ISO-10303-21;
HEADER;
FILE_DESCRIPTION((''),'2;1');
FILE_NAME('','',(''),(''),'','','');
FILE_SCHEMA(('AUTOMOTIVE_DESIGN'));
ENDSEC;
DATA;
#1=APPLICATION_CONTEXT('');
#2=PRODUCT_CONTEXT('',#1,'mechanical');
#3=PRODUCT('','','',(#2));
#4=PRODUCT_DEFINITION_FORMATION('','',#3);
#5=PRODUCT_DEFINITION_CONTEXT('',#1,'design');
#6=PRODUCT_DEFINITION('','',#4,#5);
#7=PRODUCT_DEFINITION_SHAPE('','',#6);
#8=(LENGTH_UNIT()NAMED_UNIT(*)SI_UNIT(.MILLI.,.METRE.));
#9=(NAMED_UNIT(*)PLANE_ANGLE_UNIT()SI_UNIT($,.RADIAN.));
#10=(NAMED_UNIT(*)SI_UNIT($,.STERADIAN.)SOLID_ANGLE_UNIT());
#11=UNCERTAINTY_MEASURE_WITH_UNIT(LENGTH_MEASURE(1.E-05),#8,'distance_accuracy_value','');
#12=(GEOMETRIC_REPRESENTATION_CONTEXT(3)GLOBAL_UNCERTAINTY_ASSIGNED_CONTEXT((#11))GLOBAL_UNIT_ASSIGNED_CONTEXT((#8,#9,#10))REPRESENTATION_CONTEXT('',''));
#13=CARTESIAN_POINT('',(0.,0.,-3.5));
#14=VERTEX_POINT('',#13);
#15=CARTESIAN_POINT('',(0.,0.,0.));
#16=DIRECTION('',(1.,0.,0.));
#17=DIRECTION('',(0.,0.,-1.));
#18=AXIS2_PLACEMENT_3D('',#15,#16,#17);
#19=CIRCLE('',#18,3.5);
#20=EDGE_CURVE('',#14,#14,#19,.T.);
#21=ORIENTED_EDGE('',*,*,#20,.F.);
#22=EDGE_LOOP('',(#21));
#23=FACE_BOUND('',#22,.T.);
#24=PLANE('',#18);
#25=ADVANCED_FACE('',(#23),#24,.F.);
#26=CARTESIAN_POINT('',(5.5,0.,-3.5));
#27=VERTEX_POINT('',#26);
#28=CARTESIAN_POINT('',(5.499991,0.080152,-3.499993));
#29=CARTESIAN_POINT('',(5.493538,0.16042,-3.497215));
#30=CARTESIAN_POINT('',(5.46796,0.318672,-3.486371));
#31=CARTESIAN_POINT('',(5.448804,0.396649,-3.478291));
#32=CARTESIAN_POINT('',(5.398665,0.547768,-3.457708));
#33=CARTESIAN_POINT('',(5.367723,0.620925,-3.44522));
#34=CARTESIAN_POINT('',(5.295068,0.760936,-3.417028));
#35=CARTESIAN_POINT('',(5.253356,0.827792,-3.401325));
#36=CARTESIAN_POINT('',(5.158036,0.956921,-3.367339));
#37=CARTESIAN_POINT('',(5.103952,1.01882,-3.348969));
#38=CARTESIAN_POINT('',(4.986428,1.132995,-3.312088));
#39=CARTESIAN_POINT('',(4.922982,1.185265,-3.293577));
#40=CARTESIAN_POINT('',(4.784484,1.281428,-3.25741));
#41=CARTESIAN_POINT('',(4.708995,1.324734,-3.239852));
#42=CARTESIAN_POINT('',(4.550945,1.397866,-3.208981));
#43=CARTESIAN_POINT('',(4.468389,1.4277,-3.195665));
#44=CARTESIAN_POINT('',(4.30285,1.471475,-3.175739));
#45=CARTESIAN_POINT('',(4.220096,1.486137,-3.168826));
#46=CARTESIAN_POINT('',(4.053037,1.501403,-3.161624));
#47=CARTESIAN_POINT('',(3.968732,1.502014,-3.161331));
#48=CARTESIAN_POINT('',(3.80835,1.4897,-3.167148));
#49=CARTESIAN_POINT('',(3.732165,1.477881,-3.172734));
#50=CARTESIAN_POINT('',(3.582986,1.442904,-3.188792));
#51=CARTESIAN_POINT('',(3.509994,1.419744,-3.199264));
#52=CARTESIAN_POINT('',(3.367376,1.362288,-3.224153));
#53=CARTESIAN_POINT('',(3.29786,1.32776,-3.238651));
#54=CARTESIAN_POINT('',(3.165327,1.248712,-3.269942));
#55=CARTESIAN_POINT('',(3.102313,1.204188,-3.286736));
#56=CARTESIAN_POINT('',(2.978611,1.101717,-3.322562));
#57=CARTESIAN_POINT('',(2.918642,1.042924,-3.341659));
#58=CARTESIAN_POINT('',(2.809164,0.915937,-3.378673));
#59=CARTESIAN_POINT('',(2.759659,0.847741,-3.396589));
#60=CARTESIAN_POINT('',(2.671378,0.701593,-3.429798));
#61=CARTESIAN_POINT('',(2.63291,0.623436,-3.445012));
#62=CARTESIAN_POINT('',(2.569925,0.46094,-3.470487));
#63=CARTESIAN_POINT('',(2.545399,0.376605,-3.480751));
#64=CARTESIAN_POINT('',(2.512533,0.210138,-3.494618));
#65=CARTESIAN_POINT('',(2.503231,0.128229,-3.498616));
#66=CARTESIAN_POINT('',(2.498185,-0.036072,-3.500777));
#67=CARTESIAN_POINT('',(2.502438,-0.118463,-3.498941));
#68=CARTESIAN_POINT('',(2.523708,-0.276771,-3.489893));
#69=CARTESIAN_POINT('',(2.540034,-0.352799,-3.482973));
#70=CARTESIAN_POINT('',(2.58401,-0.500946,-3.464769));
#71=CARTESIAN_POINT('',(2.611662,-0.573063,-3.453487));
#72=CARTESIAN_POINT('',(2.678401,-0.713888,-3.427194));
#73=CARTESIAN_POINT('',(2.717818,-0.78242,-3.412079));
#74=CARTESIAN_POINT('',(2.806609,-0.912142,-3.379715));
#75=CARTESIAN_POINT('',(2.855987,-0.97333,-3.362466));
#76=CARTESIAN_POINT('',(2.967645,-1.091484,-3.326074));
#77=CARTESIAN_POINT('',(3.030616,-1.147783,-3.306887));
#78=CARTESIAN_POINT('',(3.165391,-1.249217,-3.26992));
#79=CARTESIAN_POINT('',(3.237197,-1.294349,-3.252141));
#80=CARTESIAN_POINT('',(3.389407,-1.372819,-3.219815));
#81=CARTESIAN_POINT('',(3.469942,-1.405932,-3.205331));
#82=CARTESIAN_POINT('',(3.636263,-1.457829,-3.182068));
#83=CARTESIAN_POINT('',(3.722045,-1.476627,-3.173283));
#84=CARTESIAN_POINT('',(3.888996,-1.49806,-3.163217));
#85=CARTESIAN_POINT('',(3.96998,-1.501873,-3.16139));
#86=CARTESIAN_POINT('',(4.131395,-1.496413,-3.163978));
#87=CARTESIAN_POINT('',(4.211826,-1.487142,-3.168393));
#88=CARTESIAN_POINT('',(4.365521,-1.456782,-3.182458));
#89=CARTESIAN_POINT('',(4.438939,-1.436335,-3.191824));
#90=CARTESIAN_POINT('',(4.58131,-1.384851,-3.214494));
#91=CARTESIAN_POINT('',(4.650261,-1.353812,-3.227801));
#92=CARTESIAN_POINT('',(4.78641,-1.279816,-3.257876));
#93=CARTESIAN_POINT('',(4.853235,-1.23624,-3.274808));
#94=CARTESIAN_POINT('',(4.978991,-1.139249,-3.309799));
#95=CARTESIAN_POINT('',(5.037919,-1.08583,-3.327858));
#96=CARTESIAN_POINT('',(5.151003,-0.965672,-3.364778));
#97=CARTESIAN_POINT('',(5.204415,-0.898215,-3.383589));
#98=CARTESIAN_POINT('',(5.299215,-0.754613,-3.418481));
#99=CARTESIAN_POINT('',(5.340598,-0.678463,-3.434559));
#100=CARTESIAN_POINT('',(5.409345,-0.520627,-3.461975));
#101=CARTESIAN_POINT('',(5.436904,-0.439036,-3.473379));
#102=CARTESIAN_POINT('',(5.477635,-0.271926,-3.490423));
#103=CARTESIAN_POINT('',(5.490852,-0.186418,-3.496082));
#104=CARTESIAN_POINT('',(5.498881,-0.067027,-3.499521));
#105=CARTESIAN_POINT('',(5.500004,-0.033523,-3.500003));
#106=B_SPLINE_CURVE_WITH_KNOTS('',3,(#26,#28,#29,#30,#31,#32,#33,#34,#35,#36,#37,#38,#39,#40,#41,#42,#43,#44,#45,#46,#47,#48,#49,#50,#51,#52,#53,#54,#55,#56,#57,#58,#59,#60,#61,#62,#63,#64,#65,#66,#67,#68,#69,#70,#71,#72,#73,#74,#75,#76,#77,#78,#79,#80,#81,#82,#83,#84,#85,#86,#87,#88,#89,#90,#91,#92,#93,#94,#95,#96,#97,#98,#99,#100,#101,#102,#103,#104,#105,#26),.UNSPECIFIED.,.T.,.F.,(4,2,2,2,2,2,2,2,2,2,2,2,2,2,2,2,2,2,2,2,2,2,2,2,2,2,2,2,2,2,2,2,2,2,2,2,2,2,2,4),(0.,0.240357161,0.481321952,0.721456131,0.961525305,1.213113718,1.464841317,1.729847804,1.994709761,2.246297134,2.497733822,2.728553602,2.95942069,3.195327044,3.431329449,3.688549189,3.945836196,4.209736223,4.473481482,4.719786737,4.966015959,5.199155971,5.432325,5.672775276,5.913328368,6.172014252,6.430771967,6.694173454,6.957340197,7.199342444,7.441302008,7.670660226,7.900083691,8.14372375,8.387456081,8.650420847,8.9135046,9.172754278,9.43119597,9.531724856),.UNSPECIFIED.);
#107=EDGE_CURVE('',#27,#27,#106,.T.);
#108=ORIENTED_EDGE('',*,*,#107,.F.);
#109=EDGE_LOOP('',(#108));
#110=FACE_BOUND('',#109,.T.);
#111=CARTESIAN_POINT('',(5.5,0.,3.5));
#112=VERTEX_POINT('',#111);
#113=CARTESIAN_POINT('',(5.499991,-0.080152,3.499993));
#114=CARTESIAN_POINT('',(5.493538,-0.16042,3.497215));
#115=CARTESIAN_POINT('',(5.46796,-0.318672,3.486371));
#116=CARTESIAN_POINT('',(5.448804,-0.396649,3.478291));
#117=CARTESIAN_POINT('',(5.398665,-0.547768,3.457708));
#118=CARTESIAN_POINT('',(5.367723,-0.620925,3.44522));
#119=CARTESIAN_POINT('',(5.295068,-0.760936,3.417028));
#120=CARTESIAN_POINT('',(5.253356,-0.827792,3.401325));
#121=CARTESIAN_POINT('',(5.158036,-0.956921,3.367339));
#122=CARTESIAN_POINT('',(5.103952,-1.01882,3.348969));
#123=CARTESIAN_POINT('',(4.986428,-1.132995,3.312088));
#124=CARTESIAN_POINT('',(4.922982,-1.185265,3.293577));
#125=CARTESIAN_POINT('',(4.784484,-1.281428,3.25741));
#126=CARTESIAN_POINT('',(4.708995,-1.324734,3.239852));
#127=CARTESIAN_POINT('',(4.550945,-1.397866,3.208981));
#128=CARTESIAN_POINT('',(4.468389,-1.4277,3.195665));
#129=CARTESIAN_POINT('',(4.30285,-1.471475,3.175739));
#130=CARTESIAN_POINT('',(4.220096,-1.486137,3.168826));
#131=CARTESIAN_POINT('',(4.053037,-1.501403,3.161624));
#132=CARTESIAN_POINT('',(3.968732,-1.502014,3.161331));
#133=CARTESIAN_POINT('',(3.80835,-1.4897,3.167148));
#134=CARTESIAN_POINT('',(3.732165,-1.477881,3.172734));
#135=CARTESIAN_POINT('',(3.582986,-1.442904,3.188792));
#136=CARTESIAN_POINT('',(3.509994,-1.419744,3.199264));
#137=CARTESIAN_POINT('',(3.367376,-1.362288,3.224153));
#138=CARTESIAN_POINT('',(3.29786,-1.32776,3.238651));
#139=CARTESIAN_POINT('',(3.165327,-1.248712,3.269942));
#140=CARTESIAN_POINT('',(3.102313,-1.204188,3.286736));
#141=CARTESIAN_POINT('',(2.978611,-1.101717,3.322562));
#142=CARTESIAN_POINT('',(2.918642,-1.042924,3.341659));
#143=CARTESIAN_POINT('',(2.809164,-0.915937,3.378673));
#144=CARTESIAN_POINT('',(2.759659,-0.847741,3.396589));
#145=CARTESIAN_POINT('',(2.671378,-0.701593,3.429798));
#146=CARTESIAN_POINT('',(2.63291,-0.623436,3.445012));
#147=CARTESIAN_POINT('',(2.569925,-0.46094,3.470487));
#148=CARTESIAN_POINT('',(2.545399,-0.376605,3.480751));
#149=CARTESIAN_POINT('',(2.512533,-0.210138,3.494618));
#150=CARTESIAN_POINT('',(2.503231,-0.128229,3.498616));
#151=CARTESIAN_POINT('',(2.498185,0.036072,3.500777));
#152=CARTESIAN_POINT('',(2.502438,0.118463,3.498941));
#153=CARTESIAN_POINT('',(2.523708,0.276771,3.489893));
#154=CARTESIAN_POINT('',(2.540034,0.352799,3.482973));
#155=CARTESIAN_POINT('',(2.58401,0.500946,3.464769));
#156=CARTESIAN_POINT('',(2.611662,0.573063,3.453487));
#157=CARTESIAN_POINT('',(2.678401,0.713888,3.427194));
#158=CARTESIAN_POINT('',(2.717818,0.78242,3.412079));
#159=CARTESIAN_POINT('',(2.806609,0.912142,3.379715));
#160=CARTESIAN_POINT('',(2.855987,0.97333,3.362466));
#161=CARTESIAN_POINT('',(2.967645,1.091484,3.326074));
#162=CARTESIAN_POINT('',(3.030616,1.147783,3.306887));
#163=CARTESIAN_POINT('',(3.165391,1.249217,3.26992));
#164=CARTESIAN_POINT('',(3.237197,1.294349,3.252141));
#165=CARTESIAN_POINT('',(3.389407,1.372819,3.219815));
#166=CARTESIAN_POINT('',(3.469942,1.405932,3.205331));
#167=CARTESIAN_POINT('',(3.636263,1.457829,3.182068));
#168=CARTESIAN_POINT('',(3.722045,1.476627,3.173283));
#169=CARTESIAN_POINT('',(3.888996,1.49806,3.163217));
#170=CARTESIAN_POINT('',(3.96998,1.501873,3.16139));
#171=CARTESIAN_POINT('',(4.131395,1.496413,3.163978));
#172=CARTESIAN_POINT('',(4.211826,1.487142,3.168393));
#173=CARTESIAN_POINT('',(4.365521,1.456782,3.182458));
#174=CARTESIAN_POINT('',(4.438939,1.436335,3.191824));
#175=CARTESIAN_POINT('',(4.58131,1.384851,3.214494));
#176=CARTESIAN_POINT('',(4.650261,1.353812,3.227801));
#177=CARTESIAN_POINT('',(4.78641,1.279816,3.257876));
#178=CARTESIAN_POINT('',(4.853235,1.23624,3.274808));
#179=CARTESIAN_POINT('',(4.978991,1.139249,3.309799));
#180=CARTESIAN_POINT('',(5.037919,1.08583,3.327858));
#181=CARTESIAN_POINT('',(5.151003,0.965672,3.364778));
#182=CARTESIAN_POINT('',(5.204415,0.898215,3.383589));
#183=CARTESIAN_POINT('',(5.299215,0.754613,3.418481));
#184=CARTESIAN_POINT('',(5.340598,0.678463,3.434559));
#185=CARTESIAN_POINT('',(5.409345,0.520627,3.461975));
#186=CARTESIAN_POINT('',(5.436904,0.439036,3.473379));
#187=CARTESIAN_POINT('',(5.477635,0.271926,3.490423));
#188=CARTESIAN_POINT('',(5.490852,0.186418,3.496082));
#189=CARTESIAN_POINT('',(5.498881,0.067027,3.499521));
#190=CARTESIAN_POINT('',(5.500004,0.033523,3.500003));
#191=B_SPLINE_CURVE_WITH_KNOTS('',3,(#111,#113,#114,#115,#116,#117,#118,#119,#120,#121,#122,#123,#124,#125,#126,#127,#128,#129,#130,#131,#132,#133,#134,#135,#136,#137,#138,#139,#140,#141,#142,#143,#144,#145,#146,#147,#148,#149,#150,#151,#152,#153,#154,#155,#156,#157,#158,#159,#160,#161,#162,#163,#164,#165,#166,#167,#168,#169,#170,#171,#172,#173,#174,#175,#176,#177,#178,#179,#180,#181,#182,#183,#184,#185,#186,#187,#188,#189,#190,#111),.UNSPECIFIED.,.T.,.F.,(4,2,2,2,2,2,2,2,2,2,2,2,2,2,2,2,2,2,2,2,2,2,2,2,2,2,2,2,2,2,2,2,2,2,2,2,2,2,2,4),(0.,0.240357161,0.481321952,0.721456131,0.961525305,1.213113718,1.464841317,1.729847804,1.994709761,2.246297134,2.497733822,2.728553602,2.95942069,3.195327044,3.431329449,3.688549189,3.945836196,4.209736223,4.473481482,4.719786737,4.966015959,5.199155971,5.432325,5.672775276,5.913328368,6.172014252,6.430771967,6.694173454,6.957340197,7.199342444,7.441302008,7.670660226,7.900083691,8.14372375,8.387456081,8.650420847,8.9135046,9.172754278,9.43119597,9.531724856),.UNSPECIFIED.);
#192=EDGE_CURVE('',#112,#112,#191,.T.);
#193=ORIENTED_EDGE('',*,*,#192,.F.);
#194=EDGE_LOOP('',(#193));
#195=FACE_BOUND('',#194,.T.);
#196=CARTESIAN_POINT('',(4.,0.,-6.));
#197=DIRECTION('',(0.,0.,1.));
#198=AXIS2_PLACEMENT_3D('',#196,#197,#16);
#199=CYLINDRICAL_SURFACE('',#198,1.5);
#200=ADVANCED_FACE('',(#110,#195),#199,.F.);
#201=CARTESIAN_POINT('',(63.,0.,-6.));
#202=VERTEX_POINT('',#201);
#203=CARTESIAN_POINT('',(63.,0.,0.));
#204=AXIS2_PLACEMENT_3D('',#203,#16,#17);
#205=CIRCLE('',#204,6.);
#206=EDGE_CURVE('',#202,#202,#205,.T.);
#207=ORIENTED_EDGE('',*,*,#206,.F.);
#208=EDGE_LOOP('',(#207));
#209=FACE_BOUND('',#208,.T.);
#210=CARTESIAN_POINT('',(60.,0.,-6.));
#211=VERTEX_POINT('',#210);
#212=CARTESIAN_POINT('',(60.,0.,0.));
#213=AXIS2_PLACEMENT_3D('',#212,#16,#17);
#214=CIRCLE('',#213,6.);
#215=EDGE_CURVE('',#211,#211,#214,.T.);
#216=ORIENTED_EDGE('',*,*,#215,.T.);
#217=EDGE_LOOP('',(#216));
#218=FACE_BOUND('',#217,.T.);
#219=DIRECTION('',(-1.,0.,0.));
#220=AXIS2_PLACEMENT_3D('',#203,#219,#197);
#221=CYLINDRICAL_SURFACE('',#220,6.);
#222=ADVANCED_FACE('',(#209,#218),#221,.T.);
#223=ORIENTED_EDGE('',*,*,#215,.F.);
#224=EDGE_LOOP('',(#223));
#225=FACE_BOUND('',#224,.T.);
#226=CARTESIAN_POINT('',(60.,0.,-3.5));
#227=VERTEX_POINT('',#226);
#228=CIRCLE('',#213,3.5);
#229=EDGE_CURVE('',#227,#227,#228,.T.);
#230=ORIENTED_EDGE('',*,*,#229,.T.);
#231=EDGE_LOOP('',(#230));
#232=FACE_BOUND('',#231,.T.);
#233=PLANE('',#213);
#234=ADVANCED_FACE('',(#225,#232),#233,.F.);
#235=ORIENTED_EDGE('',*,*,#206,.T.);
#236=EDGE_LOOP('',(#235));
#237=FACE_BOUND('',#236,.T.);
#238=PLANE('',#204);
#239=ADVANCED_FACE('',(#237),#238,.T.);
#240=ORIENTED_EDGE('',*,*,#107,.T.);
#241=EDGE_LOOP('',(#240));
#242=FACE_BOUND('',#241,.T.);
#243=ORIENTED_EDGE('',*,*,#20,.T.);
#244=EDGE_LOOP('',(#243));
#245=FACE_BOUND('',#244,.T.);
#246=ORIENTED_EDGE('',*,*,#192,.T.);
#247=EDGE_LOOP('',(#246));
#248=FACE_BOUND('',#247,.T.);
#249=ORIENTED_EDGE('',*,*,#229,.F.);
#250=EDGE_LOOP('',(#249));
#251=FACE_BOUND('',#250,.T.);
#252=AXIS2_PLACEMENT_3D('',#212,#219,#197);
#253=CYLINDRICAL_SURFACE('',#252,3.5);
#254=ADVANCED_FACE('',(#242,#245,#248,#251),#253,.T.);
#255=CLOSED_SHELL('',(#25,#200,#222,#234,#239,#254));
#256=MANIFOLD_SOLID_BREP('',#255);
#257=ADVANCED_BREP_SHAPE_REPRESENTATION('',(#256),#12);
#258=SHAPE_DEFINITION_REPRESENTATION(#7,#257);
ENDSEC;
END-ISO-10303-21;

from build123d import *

# Parameters (mm, degrees)
SKETCH1_R               = 3.5
BOSS_EXTRUDE1_DEPTH     = 60
SKETCH2_R               = 6
BOSS_EXTRUDE2_DEPTH     = 3
SKETCH3_R               = 1.5
CUT_EXTRUDE1_DEPTH      = 7
CUT_EXTRUDE1_DEPTH_BACK = 7


with BuildPart() as part:
    # Sketch1 → Boss-Extrude1 (new body)
    with BuildSketch(Plane(origin=(0, 0, 0), x_dir=(0, 0, -1), z_dir=(1, 0, 0))):
        Circle(SKETCH1_R)
    extrude(amount=BOSS_EXTRUDE1_DEPTH)

    # Sketch2 → Boss-Extrude2 (add)
    with BuildSketch(Plane(origin=(60, 0, 0), x_dir=(0, 0, -1), z_dir=(1, 0, 0))):
        Circle(SKETCH2_R)
    extrude(amount=BOSS_EXTRUDE2_DEPTH)

    # Sketch3 → Cut-Extrude1 (cut, two sides)
    with BuildSketch(Plane.XY) as cut_extrude1_sk:
        with Locations((4, 0)):
            Circle(SKETCH3_R)
    extrude(amount=CUT_EXTRUDE1_DEPTH, mode=Mode.SUBTRACT)
    extrude(cut_extrude1_sk.sketch, amount=-CUT_EXTRUDE1_DEPTH_BACK, mode=Mode.SUBTRACT)


solid = part.part
